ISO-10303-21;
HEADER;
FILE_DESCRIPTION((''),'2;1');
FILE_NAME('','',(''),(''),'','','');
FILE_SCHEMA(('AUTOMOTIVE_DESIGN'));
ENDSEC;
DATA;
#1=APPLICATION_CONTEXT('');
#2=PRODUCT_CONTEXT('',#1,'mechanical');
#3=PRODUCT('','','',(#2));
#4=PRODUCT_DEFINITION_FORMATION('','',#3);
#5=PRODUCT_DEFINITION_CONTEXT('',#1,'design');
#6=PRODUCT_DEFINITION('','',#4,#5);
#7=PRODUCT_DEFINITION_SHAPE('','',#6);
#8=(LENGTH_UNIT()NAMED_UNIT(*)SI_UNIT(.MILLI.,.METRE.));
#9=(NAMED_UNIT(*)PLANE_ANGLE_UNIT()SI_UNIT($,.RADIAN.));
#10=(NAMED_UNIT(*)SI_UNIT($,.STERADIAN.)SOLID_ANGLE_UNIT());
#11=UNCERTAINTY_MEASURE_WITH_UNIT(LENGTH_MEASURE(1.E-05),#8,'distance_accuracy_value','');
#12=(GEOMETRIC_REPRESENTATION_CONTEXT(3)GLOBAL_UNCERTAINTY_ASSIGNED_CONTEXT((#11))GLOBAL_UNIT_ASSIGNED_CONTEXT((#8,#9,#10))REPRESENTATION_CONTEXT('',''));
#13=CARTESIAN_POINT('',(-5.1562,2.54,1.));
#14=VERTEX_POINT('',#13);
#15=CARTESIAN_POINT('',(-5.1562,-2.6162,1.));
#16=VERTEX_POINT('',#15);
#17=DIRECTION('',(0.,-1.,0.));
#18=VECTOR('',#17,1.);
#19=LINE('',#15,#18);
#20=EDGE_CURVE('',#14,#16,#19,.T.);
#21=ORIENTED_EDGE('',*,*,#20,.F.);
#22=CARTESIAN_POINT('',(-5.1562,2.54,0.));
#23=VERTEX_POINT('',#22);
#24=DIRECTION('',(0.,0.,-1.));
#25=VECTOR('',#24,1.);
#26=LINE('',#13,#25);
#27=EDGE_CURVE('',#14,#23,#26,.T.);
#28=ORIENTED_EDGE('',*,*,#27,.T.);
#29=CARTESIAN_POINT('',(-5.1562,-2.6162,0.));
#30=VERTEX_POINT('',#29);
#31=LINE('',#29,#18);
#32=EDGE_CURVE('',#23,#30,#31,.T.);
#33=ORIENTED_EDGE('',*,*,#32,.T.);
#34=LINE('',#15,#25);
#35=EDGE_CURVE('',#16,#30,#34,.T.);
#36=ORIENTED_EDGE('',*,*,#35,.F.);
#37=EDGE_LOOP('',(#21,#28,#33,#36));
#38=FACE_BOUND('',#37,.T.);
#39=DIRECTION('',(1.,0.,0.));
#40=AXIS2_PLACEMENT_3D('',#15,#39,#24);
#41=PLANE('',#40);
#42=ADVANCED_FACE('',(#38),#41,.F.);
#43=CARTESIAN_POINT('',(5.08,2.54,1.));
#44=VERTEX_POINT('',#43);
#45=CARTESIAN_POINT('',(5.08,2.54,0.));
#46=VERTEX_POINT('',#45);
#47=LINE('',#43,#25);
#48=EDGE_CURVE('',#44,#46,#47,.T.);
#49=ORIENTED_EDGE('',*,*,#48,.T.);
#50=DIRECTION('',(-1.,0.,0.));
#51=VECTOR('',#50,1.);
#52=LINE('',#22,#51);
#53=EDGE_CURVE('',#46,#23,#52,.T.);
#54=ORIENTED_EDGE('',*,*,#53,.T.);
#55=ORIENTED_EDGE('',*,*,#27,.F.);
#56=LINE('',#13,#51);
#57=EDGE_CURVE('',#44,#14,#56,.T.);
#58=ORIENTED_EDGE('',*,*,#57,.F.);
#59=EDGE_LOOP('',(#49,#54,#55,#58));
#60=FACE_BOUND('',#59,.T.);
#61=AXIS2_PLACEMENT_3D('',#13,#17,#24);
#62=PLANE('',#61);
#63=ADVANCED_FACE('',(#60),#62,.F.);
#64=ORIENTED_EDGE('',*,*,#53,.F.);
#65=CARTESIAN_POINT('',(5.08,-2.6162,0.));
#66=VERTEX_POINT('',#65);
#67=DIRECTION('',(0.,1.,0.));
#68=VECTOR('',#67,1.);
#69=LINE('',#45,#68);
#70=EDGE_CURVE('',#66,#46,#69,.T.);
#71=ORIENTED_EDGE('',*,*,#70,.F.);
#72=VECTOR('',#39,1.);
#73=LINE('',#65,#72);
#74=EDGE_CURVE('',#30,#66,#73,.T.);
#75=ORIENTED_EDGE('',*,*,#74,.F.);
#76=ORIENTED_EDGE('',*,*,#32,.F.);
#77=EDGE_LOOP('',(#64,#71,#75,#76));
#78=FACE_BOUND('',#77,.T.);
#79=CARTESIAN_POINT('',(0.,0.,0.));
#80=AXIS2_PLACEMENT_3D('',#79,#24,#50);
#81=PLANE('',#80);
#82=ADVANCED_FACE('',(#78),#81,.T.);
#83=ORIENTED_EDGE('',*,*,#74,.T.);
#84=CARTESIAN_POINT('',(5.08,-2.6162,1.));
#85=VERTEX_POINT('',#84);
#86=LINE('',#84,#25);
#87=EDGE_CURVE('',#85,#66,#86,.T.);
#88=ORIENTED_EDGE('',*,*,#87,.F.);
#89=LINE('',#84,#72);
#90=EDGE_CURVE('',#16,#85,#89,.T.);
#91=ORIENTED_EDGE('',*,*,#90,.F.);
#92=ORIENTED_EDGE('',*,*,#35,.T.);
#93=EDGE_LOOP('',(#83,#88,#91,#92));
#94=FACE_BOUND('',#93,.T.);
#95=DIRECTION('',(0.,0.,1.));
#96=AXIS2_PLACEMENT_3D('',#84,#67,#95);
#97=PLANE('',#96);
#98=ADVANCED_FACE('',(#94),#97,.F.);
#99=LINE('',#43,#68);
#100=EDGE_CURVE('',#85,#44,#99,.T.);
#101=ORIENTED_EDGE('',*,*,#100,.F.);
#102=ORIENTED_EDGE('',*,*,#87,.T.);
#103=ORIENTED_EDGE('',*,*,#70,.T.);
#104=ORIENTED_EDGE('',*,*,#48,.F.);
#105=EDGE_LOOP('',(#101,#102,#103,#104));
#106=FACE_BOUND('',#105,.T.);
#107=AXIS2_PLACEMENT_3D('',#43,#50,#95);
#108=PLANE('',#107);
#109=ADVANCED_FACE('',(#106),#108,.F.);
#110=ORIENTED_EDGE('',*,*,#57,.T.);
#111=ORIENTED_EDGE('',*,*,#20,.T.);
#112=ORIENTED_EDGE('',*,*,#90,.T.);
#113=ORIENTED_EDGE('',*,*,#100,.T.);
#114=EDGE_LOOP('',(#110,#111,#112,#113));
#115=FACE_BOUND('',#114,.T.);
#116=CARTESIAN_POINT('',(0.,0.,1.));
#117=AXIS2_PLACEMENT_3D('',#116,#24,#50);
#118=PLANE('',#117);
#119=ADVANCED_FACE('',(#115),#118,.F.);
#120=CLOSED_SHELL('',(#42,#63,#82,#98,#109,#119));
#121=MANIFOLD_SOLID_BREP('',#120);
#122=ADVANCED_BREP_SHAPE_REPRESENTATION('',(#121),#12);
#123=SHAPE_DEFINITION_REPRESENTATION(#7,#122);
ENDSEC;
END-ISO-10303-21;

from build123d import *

# Parameters (mm, degrees)
SKIZZE1_W               = 10.2362
SKIZZE1_H               = 5.1562
COMPONENT_OUTLINE_DEPTH = 1


with BuildPart() as part:
    # Skizze1 → Component_Outline (new body)
    with BuildSketch(Plane.XY):
        with Locations((-0.0381, -0.0381)):
            Rectangle(SKIZZE1_W, SKIZZE1_H)
    extrude(amount=COMPONENT_OUTLINE_DEPTH)


solid = part.part
